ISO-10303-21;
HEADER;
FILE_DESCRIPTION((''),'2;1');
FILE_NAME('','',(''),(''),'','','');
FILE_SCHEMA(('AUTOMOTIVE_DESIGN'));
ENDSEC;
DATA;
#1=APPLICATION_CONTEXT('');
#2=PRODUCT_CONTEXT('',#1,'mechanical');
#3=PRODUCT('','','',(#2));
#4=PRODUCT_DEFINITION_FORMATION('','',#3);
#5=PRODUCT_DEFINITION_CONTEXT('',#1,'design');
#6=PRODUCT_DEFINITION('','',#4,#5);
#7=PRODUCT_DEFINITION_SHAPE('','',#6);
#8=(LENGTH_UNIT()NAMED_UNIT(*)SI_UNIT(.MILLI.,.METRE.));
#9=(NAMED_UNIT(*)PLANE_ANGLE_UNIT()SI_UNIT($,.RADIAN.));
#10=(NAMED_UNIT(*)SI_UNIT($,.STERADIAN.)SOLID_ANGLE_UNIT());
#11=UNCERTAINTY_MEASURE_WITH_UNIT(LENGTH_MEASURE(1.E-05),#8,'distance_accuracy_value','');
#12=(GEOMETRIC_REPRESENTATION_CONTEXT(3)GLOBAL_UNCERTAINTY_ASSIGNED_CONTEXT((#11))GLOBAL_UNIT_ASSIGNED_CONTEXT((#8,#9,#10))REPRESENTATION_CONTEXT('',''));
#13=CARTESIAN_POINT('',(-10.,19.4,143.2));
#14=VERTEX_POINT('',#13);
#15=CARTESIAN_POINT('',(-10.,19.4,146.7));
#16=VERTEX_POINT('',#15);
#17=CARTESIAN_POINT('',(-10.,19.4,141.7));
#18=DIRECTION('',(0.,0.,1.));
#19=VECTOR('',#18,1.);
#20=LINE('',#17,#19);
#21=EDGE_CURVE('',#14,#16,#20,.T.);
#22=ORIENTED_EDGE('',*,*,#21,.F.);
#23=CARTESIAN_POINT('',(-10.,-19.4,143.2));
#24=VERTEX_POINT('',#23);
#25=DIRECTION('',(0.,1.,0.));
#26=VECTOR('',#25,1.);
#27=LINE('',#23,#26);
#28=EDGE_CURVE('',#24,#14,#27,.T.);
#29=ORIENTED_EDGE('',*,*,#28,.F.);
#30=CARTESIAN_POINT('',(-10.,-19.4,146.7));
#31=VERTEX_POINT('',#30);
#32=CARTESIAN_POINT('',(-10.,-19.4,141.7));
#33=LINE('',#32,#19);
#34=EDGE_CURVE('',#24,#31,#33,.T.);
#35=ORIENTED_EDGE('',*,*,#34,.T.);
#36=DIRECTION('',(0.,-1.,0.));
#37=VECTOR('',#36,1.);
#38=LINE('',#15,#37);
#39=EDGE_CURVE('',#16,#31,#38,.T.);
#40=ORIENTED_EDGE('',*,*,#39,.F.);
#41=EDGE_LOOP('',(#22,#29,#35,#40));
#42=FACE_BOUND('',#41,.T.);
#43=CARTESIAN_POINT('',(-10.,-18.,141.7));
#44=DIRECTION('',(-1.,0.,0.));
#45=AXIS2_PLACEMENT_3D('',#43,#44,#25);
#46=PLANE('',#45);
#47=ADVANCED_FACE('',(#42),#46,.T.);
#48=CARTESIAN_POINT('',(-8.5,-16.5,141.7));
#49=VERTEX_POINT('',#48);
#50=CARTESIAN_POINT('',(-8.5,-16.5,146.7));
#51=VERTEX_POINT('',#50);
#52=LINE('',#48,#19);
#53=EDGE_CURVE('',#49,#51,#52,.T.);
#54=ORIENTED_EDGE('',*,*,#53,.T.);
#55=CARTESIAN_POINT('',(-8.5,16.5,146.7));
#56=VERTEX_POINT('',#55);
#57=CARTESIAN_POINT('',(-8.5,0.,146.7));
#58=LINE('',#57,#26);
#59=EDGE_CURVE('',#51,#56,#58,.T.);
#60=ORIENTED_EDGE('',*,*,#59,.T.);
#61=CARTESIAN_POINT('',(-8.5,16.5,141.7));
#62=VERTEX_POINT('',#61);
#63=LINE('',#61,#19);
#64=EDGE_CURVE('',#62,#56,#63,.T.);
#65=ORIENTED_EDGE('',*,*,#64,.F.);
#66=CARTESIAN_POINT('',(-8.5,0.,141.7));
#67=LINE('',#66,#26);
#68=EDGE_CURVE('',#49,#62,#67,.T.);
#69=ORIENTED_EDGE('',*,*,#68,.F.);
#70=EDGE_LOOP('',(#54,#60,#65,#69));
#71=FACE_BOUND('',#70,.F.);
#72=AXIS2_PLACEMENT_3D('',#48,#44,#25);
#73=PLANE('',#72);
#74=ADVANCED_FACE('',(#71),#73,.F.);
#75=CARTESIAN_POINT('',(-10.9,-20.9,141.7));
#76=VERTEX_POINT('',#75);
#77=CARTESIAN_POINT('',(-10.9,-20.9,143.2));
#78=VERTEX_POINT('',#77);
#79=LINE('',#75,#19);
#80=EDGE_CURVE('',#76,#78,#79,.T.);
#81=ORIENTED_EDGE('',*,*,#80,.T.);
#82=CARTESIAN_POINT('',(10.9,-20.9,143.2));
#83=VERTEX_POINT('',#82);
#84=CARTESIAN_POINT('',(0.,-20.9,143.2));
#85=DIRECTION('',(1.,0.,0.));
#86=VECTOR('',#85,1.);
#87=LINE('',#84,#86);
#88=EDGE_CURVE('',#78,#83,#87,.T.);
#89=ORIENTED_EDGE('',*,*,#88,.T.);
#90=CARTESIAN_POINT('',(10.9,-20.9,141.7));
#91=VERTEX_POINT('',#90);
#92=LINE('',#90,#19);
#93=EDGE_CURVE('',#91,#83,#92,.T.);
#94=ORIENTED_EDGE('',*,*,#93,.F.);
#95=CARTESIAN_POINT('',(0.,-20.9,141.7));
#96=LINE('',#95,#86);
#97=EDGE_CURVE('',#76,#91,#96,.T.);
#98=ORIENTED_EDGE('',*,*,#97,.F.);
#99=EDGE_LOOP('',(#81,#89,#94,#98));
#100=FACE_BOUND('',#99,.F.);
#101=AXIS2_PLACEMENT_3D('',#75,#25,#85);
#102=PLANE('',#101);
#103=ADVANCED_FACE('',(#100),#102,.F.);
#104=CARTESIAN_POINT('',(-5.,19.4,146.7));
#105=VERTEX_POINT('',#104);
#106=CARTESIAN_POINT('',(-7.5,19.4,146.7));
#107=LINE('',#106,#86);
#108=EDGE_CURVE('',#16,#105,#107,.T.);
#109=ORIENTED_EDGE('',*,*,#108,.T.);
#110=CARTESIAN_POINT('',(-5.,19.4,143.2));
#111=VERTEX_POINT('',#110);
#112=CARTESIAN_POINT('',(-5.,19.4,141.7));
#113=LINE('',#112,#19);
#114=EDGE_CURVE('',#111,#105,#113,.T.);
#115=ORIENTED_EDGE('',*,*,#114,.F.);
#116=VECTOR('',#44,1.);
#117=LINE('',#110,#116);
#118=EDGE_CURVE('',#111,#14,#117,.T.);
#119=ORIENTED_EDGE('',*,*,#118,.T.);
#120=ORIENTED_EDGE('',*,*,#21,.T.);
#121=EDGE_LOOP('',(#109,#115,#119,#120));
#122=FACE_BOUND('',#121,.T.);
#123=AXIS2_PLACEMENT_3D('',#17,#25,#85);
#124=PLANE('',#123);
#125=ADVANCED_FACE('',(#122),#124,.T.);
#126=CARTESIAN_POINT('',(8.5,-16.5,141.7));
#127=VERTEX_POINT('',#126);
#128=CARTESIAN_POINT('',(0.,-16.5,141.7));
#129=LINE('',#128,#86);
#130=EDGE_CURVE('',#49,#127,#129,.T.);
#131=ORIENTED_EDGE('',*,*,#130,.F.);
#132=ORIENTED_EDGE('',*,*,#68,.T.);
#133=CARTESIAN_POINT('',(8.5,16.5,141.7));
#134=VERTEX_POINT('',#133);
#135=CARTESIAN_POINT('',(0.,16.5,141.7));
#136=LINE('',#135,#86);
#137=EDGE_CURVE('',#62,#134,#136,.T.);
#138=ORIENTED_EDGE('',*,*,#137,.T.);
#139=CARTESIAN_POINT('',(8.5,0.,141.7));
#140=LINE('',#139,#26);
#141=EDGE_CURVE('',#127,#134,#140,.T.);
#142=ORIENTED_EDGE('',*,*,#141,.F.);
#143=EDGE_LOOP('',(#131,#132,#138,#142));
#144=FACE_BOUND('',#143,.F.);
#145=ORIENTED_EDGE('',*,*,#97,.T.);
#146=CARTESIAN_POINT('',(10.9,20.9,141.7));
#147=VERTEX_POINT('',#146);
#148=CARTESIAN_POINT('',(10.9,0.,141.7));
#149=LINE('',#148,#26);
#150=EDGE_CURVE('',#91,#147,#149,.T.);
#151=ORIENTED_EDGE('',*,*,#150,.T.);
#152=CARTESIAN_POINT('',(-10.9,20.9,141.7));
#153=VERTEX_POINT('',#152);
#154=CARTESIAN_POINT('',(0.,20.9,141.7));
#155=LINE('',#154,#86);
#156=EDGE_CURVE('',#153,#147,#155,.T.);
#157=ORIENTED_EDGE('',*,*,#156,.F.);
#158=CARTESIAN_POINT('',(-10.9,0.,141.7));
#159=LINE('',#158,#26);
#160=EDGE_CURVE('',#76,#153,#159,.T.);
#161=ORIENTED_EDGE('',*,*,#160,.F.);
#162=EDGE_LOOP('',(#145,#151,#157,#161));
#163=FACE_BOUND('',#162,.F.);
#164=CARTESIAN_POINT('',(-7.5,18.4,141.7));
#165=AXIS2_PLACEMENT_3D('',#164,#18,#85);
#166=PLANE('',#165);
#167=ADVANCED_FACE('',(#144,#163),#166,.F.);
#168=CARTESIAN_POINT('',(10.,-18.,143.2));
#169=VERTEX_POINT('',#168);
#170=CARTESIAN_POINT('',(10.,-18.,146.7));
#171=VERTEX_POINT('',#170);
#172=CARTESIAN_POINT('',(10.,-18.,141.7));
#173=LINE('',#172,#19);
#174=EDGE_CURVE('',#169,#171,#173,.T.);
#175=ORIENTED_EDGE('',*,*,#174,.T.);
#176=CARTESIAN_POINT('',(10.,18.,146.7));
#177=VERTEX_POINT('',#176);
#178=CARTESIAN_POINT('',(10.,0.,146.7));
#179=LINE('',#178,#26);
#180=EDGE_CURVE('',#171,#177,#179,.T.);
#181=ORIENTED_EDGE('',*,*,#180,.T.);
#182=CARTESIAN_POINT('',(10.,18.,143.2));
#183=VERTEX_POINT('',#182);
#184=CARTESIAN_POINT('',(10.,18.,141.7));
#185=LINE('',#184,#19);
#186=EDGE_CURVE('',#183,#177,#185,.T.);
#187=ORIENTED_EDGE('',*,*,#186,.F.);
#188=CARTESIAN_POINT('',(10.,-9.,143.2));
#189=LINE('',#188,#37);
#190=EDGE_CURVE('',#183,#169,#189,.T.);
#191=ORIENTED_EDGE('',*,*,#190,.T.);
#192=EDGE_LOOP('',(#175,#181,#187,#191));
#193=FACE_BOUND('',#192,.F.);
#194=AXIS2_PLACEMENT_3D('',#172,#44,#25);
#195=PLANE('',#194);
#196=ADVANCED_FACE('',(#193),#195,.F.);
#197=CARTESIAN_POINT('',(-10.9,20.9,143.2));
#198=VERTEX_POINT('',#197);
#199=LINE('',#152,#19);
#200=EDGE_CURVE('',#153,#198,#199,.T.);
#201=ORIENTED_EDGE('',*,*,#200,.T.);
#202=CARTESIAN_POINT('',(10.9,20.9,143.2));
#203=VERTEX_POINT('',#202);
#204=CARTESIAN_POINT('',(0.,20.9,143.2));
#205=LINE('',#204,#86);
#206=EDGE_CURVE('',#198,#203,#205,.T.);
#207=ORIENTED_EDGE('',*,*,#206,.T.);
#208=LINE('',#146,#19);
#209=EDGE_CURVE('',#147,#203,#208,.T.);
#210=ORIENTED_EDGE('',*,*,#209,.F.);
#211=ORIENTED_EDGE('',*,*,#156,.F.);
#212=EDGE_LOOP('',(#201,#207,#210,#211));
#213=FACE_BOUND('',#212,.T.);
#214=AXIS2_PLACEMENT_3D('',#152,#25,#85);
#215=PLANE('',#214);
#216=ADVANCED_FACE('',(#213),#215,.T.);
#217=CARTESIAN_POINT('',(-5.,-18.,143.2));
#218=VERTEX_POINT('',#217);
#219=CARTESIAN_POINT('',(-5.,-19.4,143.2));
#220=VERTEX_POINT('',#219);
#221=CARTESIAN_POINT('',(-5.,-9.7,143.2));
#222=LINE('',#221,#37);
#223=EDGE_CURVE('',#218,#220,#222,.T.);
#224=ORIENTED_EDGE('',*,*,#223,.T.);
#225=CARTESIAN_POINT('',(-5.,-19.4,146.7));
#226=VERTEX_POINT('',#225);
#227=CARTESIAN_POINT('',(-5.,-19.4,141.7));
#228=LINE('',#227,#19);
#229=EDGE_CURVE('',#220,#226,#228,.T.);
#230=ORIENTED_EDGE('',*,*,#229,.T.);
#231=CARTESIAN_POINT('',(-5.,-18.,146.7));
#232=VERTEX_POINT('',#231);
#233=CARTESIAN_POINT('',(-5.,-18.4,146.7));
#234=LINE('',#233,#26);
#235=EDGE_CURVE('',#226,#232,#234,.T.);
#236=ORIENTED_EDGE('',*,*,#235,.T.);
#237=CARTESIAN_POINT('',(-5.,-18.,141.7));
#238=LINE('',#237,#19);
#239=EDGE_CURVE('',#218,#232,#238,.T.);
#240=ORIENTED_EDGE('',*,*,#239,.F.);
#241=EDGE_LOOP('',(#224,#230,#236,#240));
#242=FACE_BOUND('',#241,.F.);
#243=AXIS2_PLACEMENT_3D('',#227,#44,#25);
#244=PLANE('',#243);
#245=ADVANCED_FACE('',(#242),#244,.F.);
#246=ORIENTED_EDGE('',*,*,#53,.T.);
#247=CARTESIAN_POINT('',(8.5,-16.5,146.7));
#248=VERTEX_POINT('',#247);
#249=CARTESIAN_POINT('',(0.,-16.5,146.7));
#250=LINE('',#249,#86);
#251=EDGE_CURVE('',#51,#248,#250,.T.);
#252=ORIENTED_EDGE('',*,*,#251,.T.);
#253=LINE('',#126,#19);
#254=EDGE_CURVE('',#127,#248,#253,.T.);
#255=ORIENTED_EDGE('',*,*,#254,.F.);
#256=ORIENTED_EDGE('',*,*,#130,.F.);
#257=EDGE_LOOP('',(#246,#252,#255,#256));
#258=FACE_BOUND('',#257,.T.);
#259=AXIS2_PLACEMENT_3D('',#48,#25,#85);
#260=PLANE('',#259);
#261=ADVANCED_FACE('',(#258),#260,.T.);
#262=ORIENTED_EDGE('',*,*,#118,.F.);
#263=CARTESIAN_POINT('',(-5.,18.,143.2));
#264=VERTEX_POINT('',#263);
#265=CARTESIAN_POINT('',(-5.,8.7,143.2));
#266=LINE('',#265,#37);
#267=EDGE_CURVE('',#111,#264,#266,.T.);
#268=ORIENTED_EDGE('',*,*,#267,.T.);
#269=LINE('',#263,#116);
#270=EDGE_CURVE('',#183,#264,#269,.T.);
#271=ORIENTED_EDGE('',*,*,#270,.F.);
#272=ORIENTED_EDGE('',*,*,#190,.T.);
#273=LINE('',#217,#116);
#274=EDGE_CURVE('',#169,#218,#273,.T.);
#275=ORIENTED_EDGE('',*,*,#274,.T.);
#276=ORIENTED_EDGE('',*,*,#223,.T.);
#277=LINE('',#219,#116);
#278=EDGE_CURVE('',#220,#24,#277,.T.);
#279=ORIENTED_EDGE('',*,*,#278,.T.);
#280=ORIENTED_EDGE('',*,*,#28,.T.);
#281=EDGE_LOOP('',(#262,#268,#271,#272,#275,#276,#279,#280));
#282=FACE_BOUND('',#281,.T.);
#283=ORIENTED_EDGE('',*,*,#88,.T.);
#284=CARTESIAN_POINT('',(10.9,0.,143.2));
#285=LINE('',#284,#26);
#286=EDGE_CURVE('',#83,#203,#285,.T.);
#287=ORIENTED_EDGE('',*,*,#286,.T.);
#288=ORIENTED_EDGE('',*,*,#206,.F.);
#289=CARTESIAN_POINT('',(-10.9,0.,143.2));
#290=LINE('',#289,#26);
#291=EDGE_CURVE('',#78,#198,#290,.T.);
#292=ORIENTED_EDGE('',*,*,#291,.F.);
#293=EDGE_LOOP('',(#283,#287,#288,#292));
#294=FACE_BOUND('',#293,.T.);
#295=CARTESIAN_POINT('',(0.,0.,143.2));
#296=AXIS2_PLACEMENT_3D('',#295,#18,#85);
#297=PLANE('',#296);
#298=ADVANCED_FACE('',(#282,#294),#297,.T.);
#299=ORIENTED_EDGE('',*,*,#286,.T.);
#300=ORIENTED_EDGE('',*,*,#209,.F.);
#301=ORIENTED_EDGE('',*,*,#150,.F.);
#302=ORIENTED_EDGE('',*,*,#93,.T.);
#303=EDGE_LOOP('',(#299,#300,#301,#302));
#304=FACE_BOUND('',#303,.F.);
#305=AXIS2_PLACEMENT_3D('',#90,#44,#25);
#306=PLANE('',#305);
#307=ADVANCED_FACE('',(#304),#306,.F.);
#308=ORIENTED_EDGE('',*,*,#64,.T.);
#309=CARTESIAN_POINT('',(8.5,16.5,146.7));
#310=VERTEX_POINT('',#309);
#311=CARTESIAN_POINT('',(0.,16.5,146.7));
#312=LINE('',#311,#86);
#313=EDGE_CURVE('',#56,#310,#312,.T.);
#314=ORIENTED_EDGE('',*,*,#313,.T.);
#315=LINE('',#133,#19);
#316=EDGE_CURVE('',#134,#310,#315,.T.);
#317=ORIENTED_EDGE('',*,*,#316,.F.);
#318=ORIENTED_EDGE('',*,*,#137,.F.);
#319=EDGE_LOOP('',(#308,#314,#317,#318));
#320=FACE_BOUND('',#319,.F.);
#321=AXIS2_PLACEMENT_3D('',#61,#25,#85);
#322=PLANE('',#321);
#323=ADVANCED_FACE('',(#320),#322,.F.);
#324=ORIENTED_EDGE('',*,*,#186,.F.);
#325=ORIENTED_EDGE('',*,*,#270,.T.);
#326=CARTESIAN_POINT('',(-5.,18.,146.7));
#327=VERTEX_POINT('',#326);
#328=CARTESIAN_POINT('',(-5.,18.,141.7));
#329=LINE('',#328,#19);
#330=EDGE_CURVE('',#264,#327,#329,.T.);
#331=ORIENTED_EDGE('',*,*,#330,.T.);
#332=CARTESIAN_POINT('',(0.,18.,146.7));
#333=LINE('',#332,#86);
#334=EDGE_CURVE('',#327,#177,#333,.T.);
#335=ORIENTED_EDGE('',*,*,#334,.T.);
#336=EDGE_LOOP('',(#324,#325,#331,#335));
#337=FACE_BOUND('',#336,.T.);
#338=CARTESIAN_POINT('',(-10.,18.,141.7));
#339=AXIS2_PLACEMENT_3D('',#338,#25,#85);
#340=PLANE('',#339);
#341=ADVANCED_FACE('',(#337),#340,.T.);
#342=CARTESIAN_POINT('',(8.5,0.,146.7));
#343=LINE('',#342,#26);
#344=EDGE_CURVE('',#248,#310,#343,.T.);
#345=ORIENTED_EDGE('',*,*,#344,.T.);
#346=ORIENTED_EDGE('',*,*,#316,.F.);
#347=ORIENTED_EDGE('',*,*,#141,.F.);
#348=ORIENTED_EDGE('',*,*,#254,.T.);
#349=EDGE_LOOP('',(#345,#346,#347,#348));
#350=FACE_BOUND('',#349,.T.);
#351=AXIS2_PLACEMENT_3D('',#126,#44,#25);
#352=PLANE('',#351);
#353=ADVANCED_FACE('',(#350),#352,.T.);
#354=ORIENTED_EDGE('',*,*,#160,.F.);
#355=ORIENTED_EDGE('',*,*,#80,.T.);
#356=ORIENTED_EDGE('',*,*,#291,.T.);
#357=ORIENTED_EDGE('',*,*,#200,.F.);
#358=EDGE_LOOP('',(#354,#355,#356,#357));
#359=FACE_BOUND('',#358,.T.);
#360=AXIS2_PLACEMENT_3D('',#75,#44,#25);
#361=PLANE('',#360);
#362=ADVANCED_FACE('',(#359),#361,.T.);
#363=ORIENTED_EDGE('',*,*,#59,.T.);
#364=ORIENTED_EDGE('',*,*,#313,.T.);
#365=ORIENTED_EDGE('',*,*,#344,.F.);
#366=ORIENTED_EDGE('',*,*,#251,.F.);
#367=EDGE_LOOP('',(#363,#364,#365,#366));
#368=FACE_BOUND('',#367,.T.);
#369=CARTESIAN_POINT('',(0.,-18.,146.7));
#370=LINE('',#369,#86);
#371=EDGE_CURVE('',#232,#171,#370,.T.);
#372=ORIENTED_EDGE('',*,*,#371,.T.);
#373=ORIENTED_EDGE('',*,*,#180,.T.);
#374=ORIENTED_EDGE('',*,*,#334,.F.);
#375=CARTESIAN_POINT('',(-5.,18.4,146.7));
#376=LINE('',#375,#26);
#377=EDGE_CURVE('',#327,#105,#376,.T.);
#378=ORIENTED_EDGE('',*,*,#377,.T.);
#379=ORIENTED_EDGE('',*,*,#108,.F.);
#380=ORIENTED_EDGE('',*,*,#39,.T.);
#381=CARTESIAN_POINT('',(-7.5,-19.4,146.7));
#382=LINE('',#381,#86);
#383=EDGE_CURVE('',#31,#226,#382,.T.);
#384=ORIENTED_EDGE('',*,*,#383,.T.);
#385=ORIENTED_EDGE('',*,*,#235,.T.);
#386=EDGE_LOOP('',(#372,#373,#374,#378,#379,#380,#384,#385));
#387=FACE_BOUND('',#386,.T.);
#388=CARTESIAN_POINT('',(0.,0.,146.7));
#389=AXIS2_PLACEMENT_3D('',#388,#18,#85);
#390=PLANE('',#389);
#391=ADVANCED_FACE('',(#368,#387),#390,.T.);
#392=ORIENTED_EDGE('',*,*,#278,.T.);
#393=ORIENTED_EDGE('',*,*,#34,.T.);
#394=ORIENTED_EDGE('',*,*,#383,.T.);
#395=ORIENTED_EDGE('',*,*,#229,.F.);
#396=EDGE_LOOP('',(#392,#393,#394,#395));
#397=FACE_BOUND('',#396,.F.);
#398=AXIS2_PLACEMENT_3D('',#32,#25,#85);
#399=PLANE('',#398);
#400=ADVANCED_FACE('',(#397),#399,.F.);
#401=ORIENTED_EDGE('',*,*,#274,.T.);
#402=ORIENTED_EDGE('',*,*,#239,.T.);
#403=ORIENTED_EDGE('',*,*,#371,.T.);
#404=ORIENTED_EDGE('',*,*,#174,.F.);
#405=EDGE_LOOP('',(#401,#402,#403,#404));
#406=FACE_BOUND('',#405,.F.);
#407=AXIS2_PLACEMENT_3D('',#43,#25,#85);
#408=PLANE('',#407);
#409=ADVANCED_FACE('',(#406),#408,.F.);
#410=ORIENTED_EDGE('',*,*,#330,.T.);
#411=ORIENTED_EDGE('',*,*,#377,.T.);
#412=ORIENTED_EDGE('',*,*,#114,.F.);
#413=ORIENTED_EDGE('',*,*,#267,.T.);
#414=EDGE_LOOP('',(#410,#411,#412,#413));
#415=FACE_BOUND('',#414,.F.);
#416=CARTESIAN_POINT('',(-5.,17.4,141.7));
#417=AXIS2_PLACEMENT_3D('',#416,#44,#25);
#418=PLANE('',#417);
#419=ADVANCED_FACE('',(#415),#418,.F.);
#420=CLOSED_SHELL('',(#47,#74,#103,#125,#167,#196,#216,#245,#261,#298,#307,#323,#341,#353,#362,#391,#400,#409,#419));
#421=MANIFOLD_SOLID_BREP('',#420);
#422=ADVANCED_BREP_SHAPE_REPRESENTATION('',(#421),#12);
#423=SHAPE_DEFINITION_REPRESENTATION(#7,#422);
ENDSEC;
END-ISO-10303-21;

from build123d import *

# Parameters (mm, degrees)
BOX064_W     = 5
BOX064_H     = 2
BOX064_DEPTH = 5
BOX067_W     = 5
BOX067_H     = 2
BOX067_DEPTH = 5
BOX066_W     = 17
BOX066_H     = 33
BOX066_DEPTH = 5
BOX065_W     = 20
BOX065_H     = 36
BOX065_DEPTH = 5
BOX068_W     = 21.8
BOX068_H     = 41.8
BOX068_DEPTH = 1.5


with BuildPart() as cube062:
    # Box064 → Box064 (new body)
    with BuildSketch(Plane(origin=(-10, 17.4, 0), x_dir=(1, 0, 0), z_dir=(0, 0, 1))):
        with Locations((2.5, 1)):
            Rectangle(BOX064_W, BOX064_H)
    extrude(amount=BOX064_DEPTH)


with BuildPart() as fusion018:
    # Box067 → Box067 (new body)
    with BuildSketch(Plane(origin=(-10, -19.4, 0), x_dir=(1, 0, 0), z_dir=(0, 0, 1))):
        with Locations((2.5, 1)):
            Rectangle(BOX067_W, BOX067_H)
    extrude(amount=BOX067_DEPTH)

    # Fusion018: union Cube062
    add(cube062.part)


with BuildPart() as cut001:
    # Box066 → Box066 (new body)
    with BuildSketch(Plane(origin=(-8.5, -16.5, 0), x_dir=(1, 0, 0), z_dir=(0, 0, 1))):
        with Locations((8.5, 16.5)):
            Rectangle(BOX066_W, BOX066_H)
    extrude(amount=BOX066_DEPTH)


with BuildPart() as cube063:
    # Box065 → Box065 (new body)
    with BuildSketch(Plane(origin=(-10, -18, 0), x_dir=(1, 0, 0), z_dir=(0, 0, 1))):
        with Locations((10, 18)):
            Rectangle(BOX065_W, BOX065_H)
    extrude(amount=BOX065_DEPTH)


with BuildPart() as basesensorlowermount:
    # Box068 → Box068 (new body)
    with BuildSketch(Plane(origin=(-10.9, -20.9, 0), x_dir=(1, 0, 0), z_dir=(0, 0, 1))):
        with Locations((10.9, 20.9)):
            Rectangle(BOX068_W, BOX068_H)
    extrude(amount=BOX068_DEPTH)

    # Fusion016: union Cube063
    add(cube063.part)

    # Cut059: cut cut001
    add(cut001.part, mode=Mode.SUBTRACT)

    # Fusion017: union Fusion018
    add(fusion018.part)


with BuildPart() as basesensorlowermount_1:
    # Fusion017 placement: moved
    add(basesensorlowermount.part.moved(Location((0, 0, 141.7))))


solid = basesensorlowermount_1.part
